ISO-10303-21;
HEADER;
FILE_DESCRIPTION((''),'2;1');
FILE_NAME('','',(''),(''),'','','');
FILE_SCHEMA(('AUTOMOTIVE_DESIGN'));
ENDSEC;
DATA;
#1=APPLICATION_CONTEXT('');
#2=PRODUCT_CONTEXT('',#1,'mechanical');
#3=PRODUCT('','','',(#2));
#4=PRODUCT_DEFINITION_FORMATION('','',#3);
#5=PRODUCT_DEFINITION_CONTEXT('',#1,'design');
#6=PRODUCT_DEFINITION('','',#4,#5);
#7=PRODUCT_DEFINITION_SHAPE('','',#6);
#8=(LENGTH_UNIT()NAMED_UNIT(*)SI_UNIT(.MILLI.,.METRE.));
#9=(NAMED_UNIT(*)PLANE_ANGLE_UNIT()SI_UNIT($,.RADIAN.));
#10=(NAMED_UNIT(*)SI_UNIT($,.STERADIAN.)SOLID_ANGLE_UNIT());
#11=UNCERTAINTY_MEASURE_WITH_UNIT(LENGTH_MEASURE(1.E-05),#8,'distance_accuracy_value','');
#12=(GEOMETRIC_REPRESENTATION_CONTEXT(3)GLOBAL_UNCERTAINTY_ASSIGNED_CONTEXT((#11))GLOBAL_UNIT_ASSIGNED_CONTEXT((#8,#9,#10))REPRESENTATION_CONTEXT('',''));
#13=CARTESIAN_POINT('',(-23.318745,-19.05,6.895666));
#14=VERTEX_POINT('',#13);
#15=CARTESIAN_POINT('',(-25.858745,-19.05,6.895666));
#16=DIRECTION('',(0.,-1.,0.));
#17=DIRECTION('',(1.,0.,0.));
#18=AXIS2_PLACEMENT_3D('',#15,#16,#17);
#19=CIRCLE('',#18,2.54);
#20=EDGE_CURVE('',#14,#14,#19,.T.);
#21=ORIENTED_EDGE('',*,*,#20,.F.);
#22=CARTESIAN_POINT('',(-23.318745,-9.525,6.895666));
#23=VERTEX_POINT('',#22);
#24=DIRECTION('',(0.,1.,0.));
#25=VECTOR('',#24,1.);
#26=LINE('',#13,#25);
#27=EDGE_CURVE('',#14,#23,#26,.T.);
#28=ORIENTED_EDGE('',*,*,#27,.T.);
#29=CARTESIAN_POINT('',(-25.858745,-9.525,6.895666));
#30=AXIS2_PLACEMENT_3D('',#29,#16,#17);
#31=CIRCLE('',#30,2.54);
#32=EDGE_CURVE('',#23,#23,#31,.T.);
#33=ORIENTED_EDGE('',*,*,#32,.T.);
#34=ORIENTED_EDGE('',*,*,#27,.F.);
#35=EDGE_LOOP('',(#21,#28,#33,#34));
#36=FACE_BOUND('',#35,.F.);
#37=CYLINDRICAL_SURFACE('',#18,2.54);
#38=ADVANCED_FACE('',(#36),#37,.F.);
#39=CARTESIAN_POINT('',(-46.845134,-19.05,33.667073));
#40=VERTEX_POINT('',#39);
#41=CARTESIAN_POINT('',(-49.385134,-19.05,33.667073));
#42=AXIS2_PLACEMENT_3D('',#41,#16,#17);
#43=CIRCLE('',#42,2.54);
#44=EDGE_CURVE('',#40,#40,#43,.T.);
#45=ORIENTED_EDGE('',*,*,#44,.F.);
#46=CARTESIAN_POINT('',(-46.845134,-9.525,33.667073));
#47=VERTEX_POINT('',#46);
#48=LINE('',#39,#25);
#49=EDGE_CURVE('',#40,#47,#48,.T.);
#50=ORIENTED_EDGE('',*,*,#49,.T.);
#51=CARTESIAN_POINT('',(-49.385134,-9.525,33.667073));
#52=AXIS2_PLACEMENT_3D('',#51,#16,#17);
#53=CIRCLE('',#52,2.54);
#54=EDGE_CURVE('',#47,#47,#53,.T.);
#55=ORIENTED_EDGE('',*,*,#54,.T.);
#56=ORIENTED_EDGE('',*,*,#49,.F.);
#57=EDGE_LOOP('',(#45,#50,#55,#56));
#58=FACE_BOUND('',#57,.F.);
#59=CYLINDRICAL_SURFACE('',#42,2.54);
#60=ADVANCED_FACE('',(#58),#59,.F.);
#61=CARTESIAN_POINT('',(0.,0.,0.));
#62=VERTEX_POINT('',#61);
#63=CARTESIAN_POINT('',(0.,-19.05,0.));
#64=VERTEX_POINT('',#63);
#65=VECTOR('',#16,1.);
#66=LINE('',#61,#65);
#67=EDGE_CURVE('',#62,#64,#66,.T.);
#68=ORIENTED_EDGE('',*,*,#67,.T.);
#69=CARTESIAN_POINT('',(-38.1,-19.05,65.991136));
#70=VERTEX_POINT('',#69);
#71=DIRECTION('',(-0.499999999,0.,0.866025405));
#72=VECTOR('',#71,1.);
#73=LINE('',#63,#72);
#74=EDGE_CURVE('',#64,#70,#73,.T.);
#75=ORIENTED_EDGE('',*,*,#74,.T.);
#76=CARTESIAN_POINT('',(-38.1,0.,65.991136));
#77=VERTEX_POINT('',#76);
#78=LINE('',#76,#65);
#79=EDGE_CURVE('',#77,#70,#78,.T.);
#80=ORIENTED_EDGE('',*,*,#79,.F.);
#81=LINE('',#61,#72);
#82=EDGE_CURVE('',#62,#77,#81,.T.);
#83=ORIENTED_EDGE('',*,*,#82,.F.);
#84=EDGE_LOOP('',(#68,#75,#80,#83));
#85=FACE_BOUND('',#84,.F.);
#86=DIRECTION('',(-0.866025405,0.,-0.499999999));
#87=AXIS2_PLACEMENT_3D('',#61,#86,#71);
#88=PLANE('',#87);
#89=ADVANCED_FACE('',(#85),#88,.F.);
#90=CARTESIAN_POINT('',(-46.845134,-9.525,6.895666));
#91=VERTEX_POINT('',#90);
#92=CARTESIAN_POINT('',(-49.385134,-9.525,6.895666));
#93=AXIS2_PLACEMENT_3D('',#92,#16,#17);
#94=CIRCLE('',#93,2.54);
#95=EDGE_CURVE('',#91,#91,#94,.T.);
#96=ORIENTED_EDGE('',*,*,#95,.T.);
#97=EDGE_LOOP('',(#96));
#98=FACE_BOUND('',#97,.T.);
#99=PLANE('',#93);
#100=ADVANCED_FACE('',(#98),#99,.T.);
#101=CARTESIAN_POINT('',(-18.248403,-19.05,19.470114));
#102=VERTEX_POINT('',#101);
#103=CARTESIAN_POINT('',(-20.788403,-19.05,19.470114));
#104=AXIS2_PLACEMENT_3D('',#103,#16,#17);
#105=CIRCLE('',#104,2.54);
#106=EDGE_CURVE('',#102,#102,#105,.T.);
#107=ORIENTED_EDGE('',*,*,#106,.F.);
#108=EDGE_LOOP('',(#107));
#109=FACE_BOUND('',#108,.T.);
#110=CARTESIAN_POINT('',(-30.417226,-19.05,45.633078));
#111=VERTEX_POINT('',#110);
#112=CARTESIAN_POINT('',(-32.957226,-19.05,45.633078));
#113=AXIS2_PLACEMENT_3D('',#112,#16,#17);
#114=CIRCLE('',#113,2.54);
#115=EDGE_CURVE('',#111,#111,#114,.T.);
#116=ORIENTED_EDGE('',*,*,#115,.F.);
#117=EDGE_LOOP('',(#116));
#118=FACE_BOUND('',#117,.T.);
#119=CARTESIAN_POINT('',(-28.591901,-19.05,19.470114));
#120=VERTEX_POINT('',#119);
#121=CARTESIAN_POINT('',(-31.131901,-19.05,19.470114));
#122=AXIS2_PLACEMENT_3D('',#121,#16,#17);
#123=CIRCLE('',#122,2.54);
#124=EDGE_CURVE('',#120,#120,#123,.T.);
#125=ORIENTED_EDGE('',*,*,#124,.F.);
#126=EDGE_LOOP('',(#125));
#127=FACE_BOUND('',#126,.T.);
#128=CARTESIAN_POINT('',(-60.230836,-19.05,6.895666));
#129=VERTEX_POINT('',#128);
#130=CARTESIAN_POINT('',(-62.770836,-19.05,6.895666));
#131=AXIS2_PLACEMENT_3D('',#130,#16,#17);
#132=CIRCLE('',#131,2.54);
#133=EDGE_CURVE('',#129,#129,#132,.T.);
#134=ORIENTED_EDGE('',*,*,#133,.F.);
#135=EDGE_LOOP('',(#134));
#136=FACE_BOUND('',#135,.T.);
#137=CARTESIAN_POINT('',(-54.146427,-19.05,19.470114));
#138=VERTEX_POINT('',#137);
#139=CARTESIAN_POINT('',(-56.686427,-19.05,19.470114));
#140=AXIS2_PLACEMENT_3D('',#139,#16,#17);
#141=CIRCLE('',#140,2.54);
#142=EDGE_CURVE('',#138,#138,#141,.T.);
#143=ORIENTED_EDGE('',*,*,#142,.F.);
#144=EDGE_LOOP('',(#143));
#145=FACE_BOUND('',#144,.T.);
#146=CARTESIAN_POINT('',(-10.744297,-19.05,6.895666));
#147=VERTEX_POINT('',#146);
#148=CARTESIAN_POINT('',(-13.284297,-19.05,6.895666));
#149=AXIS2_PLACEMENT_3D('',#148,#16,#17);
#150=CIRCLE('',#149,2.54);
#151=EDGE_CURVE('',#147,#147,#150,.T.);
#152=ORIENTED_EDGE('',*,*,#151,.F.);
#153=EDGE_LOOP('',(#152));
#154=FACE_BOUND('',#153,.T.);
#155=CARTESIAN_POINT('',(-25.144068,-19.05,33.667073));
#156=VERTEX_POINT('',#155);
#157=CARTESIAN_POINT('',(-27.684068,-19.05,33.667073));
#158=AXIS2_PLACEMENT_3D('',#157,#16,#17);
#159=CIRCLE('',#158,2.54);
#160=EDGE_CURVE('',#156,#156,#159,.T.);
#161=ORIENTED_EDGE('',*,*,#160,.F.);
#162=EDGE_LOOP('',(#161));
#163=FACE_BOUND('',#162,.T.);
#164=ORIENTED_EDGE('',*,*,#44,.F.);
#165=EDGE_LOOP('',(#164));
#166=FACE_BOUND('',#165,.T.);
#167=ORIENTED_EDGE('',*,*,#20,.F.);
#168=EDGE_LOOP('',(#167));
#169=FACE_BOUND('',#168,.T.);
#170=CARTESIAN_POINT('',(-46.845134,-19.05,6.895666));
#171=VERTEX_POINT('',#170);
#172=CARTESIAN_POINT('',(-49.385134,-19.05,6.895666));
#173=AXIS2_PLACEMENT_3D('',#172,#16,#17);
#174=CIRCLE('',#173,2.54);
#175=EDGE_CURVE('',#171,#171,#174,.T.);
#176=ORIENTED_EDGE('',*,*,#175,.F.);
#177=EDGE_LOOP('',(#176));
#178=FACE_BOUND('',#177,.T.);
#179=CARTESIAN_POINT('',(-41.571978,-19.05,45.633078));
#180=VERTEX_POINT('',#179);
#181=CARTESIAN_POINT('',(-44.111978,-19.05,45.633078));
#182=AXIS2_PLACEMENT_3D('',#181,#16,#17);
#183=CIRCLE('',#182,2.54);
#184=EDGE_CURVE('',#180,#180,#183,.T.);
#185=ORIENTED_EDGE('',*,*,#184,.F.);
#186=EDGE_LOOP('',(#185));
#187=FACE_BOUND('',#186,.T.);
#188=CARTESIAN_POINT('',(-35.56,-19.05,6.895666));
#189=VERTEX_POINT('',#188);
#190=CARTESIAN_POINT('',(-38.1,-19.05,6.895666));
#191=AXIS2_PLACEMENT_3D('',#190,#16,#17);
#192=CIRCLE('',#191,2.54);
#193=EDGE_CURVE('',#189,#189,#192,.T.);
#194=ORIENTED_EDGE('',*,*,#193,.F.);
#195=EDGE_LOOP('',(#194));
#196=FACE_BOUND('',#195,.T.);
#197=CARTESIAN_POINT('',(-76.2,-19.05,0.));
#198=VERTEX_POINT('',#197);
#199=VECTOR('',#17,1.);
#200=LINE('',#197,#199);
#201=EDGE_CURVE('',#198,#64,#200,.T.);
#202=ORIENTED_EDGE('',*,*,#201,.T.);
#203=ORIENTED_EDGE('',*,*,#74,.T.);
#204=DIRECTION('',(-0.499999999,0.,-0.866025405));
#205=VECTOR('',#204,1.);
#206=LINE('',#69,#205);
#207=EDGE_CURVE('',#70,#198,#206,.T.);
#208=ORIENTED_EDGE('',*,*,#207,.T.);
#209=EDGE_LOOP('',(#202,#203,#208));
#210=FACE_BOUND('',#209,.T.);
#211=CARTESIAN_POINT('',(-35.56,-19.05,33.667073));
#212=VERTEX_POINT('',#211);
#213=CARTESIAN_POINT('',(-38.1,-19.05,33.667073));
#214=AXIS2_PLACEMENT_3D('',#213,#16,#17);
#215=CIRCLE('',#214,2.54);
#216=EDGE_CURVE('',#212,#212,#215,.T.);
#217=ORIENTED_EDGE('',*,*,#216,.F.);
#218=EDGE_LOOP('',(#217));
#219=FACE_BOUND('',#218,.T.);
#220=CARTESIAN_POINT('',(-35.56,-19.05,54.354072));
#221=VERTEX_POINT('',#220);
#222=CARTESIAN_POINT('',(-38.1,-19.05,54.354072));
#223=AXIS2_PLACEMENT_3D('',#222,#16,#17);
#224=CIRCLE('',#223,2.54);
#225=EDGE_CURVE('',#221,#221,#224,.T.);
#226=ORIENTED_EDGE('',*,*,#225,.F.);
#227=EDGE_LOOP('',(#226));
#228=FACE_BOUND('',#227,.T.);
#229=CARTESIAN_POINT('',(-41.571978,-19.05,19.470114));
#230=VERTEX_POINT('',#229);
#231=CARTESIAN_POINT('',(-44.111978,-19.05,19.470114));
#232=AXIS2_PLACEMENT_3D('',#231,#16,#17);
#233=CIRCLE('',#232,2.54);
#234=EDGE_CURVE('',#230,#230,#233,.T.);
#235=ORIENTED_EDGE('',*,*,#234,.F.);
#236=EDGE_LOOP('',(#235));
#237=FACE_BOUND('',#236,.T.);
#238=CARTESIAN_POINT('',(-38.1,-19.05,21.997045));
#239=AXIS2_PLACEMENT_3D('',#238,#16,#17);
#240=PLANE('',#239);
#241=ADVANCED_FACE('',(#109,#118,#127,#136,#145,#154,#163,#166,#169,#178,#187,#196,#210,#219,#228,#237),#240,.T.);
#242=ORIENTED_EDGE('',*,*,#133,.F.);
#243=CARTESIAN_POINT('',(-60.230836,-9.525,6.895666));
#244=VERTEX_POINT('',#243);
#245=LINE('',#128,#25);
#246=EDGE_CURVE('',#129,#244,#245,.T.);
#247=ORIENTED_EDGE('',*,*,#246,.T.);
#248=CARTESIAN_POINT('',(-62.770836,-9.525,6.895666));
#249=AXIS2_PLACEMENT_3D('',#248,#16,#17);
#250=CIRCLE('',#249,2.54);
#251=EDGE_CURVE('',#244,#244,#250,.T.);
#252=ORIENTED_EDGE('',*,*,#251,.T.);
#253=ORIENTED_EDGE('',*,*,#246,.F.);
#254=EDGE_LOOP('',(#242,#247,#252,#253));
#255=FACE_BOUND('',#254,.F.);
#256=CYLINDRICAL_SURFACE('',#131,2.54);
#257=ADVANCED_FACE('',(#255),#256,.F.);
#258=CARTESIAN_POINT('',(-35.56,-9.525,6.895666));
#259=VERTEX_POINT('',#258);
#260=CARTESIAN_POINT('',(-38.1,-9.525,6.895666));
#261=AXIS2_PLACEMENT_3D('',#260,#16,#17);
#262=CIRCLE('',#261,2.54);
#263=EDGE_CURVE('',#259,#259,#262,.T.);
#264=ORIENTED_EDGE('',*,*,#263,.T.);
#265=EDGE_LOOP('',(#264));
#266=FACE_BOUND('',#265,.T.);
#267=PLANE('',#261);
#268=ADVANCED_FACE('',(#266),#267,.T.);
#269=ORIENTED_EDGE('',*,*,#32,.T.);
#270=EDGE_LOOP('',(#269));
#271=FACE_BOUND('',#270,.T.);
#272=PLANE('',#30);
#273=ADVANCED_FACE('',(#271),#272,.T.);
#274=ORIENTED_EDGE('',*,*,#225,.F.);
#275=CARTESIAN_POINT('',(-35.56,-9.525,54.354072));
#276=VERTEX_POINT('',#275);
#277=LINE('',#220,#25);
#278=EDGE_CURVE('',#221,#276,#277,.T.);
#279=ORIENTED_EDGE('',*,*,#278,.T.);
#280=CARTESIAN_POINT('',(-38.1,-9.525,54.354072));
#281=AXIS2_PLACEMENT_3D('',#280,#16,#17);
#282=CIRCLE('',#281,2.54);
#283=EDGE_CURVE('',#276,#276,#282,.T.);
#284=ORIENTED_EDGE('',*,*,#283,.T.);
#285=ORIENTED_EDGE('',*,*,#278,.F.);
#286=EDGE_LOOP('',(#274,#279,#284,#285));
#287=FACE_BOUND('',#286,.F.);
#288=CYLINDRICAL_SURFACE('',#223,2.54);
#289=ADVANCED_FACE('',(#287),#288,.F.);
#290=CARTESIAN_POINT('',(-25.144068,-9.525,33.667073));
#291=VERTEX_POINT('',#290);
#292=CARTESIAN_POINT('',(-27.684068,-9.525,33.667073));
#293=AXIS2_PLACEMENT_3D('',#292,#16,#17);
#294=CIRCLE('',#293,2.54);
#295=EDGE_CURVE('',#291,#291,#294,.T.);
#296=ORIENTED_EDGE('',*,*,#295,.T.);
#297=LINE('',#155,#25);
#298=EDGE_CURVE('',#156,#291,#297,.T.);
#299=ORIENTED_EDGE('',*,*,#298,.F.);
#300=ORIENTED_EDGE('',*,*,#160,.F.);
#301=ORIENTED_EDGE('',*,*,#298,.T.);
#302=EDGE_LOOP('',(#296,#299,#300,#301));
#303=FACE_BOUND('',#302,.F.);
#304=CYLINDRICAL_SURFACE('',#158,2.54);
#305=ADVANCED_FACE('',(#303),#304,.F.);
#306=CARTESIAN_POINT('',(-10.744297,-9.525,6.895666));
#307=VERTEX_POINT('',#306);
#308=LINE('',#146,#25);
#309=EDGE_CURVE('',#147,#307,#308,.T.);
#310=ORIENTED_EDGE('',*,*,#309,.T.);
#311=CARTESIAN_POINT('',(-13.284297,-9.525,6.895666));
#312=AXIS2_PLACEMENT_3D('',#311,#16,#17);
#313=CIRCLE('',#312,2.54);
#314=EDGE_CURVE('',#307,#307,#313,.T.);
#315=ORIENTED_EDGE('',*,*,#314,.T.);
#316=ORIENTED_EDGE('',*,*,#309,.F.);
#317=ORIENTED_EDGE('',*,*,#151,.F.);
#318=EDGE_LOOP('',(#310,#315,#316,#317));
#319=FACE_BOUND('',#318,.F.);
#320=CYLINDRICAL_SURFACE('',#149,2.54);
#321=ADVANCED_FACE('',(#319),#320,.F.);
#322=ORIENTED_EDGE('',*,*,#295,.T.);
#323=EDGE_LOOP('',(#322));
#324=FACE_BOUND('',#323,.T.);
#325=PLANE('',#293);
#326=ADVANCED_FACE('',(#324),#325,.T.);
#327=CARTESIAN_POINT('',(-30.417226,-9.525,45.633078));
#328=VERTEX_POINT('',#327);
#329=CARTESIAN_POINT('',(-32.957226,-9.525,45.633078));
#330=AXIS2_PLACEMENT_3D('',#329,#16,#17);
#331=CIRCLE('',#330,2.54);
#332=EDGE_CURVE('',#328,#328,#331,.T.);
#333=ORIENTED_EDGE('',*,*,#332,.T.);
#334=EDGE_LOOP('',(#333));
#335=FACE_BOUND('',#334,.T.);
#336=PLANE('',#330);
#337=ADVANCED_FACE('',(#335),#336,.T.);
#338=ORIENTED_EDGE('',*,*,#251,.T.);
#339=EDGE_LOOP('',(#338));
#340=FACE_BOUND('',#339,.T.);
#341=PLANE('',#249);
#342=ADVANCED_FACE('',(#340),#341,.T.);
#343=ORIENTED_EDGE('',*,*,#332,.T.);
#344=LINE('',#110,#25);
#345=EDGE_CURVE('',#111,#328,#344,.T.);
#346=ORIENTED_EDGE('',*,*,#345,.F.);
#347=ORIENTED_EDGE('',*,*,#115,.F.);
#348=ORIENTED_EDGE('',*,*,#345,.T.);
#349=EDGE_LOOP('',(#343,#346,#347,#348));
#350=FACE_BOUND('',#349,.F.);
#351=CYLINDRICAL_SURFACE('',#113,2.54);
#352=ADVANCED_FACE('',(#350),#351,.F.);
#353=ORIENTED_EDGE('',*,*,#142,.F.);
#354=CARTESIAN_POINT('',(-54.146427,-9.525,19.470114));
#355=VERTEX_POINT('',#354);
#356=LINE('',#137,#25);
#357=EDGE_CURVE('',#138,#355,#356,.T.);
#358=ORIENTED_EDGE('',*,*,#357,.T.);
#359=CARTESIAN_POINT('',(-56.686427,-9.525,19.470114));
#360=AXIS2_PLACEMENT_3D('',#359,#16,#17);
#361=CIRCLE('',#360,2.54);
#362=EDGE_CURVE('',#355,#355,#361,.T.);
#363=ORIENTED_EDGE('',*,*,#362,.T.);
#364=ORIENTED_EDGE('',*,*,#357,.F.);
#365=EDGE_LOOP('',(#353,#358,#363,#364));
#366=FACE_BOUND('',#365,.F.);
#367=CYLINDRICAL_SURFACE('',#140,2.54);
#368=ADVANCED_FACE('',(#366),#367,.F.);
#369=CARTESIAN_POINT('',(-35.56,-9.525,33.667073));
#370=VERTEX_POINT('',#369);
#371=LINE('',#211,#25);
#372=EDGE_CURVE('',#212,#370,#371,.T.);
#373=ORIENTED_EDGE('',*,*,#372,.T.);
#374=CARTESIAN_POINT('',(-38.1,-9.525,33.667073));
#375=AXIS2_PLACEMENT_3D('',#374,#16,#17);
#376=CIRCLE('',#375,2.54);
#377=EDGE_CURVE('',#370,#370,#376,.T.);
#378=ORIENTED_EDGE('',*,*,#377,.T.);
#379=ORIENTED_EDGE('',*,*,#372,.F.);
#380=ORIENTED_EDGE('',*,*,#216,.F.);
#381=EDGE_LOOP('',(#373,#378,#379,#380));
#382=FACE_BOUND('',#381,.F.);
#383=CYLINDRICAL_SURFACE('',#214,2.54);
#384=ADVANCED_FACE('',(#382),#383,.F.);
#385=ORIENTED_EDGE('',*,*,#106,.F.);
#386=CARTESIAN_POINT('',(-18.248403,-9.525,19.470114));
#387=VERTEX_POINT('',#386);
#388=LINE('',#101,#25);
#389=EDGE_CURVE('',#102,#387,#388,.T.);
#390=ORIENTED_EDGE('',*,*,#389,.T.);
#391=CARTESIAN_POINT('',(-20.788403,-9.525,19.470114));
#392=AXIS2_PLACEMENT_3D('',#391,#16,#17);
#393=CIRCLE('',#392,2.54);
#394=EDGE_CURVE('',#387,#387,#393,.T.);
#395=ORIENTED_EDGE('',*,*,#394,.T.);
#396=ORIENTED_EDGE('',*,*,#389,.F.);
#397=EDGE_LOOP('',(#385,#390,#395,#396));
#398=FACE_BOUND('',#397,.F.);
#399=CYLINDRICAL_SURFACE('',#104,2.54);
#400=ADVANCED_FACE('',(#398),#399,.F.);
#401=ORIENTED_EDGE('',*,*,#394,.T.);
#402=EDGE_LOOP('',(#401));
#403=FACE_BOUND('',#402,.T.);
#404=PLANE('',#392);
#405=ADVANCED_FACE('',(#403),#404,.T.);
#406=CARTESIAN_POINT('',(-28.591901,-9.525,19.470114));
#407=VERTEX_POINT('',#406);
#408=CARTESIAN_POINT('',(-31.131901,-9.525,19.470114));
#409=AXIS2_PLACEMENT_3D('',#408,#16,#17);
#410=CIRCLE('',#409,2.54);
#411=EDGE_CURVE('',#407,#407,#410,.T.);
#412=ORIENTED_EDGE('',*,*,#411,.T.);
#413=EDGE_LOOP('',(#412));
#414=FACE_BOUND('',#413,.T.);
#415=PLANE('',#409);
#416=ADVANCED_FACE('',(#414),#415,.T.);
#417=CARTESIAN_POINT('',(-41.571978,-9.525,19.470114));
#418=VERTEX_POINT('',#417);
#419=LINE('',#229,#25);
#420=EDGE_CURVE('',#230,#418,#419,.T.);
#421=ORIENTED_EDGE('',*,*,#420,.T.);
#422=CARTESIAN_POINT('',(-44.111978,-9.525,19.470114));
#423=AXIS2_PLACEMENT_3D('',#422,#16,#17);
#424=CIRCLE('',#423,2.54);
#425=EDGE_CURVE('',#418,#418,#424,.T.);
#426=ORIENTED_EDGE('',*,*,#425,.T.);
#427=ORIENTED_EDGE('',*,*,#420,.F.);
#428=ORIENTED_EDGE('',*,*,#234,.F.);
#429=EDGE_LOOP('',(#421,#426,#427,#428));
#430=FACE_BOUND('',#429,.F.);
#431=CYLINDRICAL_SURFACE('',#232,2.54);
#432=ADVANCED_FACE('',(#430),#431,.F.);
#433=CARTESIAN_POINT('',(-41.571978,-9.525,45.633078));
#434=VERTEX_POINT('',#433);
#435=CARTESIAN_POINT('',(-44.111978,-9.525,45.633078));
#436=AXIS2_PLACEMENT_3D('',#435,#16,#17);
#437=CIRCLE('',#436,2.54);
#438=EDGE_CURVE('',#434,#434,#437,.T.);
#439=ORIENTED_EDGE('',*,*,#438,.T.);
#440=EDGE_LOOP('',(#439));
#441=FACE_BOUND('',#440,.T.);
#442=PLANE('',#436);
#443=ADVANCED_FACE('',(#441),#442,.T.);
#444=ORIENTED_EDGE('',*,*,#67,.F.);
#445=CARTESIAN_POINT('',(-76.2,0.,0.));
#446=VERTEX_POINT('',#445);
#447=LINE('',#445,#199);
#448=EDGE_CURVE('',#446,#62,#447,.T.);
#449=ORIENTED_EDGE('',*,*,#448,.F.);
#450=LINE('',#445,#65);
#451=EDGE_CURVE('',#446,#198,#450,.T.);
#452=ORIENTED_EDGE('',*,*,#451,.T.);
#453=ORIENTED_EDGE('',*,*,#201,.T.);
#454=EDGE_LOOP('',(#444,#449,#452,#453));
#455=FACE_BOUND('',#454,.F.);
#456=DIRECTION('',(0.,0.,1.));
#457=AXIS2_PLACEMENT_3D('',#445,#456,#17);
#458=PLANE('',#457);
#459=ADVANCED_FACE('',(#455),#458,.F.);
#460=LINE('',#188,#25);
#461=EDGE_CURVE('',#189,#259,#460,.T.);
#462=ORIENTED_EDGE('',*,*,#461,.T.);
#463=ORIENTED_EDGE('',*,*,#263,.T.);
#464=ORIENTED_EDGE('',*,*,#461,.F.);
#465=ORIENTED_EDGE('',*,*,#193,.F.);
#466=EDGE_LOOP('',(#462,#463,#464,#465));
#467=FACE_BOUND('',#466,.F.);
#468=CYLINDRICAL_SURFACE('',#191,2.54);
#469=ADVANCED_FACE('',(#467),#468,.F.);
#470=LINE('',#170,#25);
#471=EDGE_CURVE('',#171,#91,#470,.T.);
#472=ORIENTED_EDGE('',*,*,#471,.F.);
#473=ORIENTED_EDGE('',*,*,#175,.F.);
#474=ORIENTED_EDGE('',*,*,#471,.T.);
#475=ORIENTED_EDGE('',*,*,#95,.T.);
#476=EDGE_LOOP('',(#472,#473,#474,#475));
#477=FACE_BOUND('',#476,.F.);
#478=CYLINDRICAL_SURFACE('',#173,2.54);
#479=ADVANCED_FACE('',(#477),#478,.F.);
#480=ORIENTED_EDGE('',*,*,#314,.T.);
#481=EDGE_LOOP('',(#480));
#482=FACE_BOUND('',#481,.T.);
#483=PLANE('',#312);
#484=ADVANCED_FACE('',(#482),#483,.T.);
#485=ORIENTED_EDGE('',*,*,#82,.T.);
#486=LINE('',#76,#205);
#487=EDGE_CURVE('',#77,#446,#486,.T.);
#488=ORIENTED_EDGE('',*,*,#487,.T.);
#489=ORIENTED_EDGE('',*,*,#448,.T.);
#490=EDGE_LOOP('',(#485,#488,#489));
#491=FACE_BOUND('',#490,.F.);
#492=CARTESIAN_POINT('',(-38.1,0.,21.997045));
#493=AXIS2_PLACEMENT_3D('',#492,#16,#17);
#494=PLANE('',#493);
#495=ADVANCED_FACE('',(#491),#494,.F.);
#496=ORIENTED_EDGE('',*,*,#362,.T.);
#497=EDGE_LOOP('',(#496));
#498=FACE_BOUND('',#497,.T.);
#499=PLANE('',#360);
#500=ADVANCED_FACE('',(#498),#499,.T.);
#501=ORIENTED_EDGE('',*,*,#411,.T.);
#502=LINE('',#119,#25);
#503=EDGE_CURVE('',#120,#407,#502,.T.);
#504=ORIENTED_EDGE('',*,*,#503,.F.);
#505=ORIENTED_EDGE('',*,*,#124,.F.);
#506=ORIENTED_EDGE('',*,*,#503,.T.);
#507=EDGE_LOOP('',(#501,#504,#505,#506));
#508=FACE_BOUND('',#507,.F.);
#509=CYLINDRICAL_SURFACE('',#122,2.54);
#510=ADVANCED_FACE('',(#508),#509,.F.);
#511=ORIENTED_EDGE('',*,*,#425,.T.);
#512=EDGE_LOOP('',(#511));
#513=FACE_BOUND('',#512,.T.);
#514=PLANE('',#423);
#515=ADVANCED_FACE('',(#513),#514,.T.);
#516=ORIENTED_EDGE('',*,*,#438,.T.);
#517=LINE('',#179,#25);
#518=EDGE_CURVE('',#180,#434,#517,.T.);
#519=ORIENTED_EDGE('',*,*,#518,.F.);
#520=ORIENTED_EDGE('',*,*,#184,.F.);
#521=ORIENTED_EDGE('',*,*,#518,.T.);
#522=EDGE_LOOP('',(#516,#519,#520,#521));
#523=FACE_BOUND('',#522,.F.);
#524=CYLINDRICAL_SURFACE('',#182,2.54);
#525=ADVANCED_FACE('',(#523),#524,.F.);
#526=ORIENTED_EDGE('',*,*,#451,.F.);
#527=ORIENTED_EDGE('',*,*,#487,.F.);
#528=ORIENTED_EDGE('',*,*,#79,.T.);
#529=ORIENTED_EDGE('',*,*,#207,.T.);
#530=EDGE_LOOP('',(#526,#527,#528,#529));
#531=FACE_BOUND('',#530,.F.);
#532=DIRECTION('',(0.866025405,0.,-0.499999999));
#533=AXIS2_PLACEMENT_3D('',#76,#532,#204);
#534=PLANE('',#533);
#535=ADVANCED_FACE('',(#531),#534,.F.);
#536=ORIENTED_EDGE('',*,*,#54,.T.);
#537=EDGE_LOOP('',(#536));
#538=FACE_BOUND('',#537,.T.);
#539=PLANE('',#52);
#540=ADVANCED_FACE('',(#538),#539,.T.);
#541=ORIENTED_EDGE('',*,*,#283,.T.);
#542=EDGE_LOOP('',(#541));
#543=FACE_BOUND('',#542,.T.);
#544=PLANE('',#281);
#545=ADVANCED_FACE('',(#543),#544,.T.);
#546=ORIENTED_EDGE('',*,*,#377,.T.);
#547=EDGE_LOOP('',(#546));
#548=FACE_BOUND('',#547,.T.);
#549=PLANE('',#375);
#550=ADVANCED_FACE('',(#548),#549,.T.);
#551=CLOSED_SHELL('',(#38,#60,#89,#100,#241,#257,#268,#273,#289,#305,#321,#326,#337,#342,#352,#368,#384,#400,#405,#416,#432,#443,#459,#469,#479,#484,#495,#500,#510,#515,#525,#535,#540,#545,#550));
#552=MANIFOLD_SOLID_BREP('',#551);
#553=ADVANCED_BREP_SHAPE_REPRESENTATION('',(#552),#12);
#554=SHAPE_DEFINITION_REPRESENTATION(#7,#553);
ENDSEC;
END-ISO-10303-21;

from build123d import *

# Parameters (mm, degrees)
F1_DEPTH = 19.05
F2_R     = 2.54
F3_DEPTH = 9.525
F4_DEPTH = 9.525


with BuildPart() as f1:
    # F0 (on Front) → F1 (new body)
    with BuildSketch(Plane.XZ):
        Polygon((-38.1, 65.991136), (-76.2, 0), (0, 0), align=None)
    extrude(amount=F1_DEPTH)

    # F2 (on face) → F3 (cut)
    with BuildSketch(Plane.XZ.offset(19.05)):
        with Locations((-62.770836, 6.895666)):
            Circle(F2_R)
    extrude(amount=-F3_DEPTH, mode=Mode.SUBTRACT)

    # F2 (on face) → F4 (cut)
    with BuildSketch(Plane.XZ.offset(19.05)):
        with Locations((-38.1, 6.895666)):
            Circle(F2_R)
        with Locations((-62.770836, 6.895666)):
            Circle(F2_R)
        with Locations((-49.385134, 6.895666)):
            Circle(F2_R)
        with Locations((-25.858745, 6.895666)):
            Circle(F2_R)
        with Locations((-13.284297, 6.895666)):
            Circle(F2_R)
        with Locations((-56.686427, 19.470114)):
            Circle(F2_R)
        with Locations((-44.111978, 19.470114)):
            Circle(F2_R)
        with Locations((-31.131901, 19.470114)):
            Circle(F2_R)
        with Locations((-20.788403, 19.470114)):
            Circle(F2_R)
        with Locations((-38.1, 33.667073)):
            Circle(F2_R)
        with Locations((-49.385134, 33.667073)):
            Circle(F2_R)
        with Locations((-27.684068, 33.667073)):
            Circle(F2_R)
        with Locations((-44.111978, 45.633078)):
            Circle(F2_R)
        with Locations((-38.1, 54.354072)):
            Circle(F2_R)
        with Locations((-32.957226, 45.633078)):
            Circle(F2_R)
    extrude(amount=-F4_DEPTH, mode=Mode.SUBTRACT)


solid = f1.part
